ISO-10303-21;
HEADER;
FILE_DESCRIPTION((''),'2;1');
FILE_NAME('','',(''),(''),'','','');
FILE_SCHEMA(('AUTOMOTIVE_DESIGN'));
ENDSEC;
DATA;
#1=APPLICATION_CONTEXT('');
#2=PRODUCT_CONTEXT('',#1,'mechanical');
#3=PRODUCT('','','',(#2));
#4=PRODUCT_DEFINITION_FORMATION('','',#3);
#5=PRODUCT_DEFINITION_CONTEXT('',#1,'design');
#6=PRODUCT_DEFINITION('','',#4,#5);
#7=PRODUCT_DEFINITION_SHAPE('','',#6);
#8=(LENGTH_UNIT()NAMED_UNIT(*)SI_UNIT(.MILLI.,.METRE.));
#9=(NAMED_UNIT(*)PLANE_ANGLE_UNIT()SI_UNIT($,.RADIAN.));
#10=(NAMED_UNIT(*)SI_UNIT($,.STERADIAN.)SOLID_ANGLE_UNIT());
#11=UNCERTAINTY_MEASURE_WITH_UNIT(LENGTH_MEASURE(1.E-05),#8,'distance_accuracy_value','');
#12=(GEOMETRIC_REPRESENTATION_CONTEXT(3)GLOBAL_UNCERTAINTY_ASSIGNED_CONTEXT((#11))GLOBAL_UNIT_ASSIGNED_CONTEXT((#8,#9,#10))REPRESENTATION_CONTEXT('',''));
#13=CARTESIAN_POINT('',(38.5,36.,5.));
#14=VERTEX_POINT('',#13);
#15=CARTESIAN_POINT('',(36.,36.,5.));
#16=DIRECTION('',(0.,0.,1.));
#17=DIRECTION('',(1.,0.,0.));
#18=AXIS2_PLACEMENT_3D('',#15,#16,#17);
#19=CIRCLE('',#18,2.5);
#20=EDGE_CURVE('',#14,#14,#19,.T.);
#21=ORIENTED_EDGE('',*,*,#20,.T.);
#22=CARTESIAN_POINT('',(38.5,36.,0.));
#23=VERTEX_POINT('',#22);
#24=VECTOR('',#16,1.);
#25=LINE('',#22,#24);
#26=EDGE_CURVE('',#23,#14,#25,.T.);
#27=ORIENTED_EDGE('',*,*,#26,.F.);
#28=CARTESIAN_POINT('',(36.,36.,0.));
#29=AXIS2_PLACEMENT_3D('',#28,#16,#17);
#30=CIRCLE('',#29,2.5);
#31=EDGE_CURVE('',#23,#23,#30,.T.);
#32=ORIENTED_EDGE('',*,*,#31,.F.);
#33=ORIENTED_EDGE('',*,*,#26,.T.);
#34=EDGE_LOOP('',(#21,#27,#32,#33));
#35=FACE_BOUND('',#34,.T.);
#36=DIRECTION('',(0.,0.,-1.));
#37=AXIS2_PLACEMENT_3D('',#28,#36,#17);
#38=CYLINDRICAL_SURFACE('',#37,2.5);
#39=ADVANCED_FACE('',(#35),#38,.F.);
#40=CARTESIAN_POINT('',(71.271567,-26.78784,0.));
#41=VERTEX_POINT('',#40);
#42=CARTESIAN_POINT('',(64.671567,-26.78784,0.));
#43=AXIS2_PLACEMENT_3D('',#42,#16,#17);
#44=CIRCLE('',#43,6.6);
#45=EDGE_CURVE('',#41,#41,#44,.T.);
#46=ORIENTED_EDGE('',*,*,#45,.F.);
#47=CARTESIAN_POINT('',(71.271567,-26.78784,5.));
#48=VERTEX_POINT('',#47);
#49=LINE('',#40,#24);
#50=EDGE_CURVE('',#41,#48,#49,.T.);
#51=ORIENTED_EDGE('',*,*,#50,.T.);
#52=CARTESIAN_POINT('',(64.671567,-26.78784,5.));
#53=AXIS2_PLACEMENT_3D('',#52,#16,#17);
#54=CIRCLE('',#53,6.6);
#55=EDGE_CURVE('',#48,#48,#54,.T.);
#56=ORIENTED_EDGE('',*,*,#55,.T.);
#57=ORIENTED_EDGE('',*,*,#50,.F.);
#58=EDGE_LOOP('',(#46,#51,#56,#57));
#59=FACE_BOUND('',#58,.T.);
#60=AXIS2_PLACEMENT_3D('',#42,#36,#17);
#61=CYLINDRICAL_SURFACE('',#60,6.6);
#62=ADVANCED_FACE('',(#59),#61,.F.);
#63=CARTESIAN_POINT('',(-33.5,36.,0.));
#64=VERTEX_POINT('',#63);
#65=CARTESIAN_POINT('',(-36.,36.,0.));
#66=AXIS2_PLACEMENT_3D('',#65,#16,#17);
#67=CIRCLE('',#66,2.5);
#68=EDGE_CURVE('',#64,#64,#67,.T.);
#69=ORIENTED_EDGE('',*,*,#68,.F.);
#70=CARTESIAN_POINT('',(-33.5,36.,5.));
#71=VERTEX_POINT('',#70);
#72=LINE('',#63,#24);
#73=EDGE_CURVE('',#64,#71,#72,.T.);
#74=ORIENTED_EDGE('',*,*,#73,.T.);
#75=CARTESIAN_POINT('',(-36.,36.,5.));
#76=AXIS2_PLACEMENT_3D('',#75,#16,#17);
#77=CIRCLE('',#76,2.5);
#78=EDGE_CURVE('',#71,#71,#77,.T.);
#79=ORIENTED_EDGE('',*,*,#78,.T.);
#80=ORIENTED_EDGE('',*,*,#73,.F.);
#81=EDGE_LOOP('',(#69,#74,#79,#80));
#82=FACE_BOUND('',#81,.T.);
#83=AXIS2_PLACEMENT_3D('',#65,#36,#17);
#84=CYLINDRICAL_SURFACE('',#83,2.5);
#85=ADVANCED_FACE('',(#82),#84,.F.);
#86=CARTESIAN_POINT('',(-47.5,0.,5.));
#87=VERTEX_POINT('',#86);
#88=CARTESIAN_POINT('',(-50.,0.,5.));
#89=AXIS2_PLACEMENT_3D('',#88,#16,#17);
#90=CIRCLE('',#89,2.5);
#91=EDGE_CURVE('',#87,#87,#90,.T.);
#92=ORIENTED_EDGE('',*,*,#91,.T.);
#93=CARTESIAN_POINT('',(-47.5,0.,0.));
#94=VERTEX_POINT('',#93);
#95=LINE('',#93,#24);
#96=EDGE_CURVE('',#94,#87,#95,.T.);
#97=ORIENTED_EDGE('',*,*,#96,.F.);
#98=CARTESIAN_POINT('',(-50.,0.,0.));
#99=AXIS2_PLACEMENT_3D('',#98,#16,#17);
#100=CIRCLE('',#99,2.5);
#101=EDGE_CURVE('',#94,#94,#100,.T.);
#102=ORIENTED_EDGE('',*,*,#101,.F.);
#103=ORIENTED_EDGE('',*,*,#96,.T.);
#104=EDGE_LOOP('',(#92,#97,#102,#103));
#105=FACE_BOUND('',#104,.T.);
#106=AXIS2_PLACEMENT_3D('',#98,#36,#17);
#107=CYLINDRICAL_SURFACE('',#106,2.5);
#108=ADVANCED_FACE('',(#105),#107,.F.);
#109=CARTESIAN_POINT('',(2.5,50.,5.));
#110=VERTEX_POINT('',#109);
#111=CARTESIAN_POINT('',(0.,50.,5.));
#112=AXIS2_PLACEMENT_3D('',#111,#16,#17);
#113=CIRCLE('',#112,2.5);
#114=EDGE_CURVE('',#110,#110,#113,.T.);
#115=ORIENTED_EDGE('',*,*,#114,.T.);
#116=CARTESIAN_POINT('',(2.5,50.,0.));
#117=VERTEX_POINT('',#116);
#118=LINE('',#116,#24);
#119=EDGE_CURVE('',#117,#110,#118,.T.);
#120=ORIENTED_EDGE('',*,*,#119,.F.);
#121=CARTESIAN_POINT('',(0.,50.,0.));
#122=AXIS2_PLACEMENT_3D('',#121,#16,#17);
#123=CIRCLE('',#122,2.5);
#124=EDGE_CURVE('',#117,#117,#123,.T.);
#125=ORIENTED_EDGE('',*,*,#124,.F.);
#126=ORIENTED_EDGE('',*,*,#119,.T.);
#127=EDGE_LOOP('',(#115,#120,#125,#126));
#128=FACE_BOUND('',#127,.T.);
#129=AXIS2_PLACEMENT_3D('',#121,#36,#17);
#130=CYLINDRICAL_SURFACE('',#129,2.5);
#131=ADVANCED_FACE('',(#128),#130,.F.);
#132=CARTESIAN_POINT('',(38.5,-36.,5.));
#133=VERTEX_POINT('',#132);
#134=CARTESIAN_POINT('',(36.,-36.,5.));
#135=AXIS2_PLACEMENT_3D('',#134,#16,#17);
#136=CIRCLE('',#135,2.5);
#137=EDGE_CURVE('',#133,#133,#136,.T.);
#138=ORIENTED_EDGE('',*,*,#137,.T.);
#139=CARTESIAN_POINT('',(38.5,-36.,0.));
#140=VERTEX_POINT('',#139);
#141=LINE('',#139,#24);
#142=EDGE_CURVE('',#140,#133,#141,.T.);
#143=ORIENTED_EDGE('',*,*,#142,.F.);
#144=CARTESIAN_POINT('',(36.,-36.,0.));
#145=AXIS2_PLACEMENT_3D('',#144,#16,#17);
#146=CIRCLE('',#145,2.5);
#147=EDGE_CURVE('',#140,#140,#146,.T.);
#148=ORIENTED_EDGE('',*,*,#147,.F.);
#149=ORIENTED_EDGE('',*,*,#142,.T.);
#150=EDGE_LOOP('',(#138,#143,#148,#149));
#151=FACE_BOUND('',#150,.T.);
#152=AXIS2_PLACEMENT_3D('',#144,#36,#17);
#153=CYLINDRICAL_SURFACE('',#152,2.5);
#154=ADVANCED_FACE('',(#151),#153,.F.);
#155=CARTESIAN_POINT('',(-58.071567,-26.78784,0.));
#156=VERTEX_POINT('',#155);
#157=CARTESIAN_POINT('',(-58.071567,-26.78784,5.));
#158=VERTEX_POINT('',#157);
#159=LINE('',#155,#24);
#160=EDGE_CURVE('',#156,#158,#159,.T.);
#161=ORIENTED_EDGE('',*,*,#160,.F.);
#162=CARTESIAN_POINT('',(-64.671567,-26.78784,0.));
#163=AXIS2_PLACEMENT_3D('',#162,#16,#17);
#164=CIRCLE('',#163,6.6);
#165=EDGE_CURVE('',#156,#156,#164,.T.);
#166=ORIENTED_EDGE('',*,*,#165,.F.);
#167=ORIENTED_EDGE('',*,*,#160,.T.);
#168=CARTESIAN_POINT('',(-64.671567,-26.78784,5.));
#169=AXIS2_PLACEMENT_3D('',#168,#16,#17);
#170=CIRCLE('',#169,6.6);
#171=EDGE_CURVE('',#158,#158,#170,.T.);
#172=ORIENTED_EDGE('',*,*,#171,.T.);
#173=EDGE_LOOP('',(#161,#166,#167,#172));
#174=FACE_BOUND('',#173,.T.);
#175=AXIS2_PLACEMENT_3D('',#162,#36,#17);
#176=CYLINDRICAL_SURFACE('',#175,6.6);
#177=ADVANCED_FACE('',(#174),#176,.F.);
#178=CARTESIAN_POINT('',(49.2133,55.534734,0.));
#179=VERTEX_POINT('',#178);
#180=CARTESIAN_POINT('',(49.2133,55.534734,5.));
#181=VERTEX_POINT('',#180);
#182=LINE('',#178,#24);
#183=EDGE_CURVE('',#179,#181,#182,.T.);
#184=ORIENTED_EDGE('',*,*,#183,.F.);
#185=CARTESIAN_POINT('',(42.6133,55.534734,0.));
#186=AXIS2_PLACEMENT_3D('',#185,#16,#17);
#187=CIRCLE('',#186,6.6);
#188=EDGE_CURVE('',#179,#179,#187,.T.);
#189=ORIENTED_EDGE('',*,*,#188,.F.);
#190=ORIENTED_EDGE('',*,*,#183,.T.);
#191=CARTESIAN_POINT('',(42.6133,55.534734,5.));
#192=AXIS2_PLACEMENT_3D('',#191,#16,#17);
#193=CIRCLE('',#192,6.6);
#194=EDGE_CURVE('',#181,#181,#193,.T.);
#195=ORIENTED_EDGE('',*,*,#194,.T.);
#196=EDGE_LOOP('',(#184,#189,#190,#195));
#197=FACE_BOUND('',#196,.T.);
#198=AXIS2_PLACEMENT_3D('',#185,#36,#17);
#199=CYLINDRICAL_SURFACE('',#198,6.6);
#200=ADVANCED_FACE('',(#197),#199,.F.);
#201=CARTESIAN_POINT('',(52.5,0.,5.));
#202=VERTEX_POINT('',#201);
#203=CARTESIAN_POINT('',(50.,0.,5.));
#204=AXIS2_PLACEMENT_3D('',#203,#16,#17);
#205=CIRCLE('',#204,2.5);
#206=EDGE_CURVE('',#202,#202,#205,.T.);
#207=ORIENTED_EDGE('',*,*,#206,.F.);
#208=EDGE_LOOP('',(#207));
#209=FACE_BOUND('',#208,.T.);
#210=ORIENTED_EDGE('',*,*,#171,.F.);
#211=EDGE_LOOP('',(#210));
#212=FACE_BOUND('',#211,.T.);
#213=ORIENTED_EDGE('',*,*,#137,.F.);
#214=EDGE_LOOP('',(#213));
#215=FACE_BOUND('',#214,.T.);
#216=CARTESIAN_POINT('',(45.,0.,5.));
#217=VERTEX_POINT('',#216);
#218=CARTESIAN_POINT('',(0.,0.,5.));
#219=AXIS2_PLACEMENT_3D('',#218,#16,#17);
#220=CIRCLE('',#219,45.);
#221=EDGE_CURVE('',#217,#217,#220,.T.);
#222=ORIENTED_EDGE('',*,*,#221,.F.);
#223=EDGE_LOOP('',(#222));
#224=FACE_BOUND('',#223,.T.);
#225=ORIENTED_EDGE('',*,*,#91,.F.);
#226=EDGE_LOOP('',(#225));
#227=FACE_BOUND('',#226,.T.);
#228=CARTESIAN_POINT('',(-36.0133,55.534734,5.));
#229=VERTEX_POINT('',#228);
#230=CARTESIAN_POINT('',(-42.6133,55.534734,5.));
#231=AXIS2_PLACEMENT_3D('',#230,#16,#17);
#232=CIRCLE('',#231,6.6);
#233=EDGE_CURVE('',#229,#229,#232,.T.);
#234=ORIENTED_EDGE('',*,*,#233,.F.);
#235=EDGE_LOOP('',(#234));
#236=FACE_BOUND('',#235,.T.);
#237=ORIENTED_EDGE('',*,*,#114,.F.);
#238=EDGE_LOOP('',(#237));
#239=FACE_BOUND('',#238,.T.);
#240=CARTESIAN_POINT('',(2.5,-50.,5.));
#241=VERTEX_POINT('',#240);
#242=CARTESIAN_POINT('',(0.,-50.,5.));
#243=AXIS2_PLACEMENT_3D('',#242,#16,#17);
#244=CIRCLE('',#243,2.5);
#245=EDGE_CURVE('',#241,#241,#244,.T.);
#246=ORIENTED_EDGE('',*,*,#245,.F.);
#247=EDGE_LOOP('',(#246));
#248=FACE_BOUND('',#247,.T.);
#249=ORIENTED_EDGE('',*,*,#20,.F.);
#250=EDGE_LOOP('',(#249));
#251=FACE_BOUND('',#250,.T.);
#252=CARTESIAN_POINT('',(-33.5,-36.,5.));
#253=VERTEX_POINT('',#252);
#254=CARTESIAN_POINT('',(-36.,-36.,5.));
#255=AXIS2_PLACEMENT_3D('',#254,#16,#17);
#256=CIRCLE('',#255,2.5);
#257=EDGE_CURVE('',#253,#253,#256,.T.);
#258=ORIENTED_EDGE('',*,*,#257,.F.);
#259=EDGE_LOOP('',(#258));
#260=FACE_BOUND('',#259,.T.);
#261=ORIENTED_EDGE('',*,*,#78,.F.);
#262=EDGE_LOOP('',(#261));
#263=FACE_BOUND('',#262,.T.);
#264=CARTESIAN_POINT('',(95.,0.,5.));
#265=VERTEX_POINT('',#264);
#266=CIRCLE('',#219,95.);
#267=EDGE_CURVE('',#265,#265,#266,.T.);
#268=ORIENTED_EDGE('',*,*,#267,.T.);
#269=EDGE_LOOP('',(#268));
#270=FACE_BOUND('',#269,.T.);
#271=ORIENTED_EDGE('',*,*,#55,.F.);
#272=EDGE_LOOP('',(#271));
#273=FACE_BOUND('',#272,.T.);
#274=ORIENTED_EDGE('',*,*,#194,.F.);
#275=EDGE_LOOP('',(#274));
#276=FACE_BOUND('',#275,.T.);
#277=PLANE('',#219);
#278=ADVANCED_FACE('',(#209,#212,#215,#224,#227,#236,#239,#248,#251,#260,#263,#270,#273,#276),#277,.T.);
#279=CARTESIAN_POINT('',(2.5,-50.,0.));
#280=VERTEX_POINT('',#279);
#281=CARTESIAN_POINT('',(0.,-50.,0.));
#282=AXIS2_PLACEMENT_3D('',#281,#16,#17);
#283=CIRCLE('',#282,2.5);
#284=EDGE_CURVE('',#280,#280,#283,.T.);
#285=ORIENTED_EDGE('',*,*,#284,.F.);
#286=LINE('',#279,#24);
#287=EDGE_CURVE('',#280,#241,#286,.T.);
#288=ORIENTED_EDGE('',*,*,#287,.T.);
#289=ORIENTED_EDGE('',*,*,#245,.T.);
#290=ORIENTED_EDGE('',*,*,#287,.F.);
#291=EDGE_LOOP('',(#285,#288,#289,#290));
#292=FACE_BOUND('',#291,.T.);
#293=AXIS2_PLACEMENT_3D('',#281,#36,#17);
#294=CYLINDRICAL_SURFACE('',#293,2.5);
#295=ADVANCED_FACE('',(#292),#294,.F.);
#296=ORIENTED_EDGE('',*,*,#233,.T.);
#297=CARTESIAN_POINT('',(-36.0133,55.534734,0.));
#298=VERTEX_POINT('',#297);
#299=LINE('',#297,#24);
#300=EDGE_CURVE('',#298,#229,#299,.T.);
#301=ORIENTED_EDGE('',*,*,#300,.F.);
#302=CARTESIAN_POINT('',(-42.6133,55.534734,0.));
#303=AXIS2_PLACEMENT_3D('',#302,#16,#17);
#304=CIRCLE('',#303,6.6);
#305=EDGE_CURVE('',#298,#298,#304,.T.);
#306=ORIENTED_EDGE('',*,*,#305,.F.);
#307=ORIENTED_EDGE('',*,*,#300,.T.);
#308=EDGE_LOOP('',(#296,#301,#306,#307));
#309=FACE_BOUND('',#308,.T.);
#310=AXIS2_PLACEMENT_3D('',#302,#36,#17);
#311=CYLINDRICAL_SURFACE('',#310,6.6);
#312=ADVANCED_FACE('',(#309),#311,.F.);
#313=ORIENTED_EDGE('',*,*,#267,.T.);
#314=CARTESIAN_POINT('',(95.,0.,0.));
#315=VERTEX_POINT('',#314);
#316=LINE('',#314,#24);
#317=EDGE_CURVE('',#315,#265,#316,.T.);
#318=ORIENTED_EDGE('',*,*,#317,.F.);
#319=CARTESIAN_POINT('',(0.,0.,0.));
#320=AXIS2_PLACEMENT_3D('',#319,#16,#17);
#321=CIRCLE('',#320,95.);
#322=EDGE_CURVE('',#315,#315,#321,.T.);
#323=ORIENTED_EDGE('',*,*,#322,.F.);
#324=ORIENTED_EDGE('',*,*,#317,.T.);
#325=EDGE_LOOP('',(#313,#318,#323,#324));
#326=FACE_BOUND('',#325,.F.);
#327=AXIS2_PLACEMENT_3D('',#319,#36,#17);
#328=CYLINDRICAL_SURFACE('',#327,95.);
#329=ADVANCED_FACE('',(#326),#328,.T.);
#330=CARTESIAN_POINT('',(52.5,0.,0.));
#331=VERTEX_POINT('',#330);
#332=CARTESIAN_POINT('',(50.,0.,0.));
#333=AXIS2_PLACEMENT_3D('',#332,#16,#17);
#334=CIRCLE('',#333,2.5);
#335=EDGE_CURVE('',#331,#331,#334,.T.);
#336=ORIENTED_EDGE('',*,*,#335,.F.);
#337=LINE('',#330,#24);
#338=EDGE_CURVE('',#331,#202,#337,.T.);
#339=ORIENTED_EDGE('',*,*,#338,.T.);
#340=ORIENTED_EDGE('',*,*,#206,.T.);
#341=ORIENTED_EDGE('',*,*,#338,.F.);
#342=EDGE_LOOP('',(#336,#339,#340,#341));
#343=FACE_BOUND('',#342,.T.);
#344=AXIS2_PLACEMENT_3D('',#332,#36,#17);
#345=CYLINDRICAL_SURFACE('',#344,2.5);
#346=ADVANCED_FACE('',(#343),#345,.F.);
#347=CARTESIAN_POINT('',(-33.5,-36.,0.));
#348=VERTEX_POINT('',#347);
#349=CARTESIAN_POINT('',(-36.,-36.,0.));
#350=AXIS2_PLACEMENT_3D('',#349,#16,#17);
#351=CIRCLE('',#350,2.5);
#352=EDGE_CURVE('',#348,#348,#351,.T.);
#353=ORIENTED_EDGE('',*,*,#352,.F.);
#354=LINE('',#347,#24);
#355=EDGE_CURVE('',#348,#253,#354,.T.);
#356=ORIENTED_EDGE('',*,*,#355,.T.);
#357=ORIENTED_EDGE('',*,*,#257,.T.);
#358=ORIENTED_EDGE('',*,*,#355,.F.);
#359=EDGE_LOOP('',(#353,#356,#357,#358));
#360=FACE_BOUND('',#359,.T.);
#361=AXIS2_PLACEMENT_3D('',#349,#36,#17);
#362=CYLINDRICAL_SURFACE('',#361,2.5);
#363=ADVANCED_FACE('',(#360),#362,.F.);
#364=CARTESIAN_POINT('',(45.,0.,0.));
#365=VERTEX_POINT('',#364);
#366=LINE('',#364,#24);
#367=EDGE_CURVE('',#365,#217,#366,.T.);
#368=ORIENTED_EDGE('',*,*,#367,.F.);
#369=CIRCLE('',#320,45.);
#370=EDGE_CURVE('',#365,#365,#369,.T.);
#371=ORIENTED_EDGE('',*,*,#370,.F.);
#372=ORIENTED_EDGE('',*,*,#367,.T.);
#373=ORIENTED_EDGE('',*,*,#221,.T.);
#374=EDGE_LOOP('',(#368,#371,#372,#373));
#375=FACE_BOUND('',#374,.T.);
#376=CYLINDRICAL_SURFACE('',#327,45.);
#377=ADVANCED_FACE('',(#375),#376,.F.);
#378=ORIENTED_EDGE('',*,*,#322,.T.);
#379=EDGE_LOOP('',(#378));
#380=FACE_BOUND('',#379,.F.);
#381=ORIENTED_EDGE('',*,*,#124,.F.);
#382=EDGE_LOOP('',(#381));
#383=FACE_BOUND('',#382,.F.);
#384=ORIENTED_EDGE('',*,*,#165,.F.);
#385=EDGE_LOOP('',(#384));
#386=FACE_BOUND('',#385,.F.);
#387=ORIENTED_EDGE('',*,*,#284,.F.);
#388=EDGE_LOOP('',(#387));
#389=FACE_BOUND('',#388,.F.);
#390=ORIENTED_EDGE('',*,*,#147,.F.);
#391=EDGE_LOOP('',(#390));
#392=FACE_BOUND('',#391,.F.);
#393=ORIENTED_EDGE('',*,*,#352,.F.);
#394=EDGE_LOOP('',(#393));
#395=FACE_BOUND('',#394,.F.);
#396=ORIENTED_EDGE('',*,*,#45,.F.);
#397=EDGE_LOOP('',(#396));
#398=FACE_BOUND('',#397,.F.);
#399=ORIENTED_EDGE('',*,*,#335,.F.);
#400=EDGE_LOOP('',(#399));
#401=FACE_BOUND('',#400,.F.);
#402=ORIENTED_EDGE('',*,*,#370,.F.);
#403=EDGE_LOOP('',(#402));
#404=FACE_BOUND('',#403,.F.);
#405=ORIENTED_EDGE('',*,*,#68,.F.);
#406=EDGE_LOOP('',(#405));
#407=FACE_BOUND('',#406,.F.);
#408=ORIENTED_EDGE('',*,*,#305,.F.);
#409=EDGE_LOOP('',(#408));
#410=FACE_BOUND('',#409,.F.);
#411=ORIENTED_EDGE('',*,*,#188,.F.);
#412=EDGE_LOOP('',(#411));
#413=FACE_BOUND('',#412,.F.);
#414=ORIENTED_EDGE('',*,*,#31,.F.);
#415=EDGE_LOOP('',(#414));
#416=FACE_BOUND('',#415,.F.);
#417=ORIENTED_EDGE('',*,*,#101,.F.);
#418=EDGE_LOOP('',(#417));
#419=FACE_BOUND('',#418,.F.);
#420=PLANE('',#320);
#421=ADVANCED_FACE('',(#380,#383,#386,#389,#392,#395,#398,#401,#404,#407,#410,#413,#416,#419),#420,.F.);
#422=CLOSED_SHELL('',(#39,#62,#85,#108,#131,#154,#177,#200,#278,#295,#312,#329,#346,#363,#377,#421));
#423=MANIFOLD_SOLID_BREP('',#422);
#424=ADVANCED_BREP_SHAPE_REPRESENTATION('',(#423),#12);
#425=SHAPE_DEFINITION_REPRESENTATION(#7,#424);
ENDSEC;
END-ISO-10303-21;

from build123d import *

# Parameters (mm, degrees)
F0_R     = 95
F0_R_2   = 6.6
F0_R_3   = 2.5
F0_R_4   = 45
F1_DEPTH = 5


with BuildPart() as f1:
    # F0 (on Top) → F1 (new body)
    with BuildSketch(Plane.XY):
        Circle(F0_R)
        with Locations((-64.671567, -26.78784)):
            Circle(F0_R_2, mode=Mode.SUBTRACT)
        with Locations((-36, -36)):
            Circle(F0_R_3, mode=Mode.SUBTRACT)
        with Locations((0, -50)):
            Circle(F0_R_3, mode=Mode.SUBTRACT)
        with Locations((36, -36)):
            Circle(F0_R_3, mode=Mode.SUBTRACT)
        with Locations((64.671567, -26.78784)):
            Circle(F0_R_2, mode=Mode.SUBTRACT)
        with Locations((-50, 0)):
            Circle(F0_R_3, mode=Mode.SUBTRACT)
        with Locations((-36, 36)):
            Circle(F0_R_3, mode=Mode.SUBTRACT)
        with Locations((-42.6133, 55.534734)):
            Circle(F0_R_2, mode=Mode.SUBTRACT)
        Circle(F0_R_4, mode=Mode.SUBTRACT)
        with Locations((36, 36)):
            Circle(F0_R_3, mode=Mode.SUBTRACT)
        with Locations((50, 0)):
            Circle(F0_R_3, mode=Mode.SUBTRACT)
        with Locations((0, 50)):
            Circle(F0_R_3, mode=Mode.SUBTRACT)
        with Locations((42.6133, 55.534734)):
            Circle(F0_R_2, mode=Mode.SUBTRACT)
    extrude(amount=F1_DEPTH)


solid = f1.part
